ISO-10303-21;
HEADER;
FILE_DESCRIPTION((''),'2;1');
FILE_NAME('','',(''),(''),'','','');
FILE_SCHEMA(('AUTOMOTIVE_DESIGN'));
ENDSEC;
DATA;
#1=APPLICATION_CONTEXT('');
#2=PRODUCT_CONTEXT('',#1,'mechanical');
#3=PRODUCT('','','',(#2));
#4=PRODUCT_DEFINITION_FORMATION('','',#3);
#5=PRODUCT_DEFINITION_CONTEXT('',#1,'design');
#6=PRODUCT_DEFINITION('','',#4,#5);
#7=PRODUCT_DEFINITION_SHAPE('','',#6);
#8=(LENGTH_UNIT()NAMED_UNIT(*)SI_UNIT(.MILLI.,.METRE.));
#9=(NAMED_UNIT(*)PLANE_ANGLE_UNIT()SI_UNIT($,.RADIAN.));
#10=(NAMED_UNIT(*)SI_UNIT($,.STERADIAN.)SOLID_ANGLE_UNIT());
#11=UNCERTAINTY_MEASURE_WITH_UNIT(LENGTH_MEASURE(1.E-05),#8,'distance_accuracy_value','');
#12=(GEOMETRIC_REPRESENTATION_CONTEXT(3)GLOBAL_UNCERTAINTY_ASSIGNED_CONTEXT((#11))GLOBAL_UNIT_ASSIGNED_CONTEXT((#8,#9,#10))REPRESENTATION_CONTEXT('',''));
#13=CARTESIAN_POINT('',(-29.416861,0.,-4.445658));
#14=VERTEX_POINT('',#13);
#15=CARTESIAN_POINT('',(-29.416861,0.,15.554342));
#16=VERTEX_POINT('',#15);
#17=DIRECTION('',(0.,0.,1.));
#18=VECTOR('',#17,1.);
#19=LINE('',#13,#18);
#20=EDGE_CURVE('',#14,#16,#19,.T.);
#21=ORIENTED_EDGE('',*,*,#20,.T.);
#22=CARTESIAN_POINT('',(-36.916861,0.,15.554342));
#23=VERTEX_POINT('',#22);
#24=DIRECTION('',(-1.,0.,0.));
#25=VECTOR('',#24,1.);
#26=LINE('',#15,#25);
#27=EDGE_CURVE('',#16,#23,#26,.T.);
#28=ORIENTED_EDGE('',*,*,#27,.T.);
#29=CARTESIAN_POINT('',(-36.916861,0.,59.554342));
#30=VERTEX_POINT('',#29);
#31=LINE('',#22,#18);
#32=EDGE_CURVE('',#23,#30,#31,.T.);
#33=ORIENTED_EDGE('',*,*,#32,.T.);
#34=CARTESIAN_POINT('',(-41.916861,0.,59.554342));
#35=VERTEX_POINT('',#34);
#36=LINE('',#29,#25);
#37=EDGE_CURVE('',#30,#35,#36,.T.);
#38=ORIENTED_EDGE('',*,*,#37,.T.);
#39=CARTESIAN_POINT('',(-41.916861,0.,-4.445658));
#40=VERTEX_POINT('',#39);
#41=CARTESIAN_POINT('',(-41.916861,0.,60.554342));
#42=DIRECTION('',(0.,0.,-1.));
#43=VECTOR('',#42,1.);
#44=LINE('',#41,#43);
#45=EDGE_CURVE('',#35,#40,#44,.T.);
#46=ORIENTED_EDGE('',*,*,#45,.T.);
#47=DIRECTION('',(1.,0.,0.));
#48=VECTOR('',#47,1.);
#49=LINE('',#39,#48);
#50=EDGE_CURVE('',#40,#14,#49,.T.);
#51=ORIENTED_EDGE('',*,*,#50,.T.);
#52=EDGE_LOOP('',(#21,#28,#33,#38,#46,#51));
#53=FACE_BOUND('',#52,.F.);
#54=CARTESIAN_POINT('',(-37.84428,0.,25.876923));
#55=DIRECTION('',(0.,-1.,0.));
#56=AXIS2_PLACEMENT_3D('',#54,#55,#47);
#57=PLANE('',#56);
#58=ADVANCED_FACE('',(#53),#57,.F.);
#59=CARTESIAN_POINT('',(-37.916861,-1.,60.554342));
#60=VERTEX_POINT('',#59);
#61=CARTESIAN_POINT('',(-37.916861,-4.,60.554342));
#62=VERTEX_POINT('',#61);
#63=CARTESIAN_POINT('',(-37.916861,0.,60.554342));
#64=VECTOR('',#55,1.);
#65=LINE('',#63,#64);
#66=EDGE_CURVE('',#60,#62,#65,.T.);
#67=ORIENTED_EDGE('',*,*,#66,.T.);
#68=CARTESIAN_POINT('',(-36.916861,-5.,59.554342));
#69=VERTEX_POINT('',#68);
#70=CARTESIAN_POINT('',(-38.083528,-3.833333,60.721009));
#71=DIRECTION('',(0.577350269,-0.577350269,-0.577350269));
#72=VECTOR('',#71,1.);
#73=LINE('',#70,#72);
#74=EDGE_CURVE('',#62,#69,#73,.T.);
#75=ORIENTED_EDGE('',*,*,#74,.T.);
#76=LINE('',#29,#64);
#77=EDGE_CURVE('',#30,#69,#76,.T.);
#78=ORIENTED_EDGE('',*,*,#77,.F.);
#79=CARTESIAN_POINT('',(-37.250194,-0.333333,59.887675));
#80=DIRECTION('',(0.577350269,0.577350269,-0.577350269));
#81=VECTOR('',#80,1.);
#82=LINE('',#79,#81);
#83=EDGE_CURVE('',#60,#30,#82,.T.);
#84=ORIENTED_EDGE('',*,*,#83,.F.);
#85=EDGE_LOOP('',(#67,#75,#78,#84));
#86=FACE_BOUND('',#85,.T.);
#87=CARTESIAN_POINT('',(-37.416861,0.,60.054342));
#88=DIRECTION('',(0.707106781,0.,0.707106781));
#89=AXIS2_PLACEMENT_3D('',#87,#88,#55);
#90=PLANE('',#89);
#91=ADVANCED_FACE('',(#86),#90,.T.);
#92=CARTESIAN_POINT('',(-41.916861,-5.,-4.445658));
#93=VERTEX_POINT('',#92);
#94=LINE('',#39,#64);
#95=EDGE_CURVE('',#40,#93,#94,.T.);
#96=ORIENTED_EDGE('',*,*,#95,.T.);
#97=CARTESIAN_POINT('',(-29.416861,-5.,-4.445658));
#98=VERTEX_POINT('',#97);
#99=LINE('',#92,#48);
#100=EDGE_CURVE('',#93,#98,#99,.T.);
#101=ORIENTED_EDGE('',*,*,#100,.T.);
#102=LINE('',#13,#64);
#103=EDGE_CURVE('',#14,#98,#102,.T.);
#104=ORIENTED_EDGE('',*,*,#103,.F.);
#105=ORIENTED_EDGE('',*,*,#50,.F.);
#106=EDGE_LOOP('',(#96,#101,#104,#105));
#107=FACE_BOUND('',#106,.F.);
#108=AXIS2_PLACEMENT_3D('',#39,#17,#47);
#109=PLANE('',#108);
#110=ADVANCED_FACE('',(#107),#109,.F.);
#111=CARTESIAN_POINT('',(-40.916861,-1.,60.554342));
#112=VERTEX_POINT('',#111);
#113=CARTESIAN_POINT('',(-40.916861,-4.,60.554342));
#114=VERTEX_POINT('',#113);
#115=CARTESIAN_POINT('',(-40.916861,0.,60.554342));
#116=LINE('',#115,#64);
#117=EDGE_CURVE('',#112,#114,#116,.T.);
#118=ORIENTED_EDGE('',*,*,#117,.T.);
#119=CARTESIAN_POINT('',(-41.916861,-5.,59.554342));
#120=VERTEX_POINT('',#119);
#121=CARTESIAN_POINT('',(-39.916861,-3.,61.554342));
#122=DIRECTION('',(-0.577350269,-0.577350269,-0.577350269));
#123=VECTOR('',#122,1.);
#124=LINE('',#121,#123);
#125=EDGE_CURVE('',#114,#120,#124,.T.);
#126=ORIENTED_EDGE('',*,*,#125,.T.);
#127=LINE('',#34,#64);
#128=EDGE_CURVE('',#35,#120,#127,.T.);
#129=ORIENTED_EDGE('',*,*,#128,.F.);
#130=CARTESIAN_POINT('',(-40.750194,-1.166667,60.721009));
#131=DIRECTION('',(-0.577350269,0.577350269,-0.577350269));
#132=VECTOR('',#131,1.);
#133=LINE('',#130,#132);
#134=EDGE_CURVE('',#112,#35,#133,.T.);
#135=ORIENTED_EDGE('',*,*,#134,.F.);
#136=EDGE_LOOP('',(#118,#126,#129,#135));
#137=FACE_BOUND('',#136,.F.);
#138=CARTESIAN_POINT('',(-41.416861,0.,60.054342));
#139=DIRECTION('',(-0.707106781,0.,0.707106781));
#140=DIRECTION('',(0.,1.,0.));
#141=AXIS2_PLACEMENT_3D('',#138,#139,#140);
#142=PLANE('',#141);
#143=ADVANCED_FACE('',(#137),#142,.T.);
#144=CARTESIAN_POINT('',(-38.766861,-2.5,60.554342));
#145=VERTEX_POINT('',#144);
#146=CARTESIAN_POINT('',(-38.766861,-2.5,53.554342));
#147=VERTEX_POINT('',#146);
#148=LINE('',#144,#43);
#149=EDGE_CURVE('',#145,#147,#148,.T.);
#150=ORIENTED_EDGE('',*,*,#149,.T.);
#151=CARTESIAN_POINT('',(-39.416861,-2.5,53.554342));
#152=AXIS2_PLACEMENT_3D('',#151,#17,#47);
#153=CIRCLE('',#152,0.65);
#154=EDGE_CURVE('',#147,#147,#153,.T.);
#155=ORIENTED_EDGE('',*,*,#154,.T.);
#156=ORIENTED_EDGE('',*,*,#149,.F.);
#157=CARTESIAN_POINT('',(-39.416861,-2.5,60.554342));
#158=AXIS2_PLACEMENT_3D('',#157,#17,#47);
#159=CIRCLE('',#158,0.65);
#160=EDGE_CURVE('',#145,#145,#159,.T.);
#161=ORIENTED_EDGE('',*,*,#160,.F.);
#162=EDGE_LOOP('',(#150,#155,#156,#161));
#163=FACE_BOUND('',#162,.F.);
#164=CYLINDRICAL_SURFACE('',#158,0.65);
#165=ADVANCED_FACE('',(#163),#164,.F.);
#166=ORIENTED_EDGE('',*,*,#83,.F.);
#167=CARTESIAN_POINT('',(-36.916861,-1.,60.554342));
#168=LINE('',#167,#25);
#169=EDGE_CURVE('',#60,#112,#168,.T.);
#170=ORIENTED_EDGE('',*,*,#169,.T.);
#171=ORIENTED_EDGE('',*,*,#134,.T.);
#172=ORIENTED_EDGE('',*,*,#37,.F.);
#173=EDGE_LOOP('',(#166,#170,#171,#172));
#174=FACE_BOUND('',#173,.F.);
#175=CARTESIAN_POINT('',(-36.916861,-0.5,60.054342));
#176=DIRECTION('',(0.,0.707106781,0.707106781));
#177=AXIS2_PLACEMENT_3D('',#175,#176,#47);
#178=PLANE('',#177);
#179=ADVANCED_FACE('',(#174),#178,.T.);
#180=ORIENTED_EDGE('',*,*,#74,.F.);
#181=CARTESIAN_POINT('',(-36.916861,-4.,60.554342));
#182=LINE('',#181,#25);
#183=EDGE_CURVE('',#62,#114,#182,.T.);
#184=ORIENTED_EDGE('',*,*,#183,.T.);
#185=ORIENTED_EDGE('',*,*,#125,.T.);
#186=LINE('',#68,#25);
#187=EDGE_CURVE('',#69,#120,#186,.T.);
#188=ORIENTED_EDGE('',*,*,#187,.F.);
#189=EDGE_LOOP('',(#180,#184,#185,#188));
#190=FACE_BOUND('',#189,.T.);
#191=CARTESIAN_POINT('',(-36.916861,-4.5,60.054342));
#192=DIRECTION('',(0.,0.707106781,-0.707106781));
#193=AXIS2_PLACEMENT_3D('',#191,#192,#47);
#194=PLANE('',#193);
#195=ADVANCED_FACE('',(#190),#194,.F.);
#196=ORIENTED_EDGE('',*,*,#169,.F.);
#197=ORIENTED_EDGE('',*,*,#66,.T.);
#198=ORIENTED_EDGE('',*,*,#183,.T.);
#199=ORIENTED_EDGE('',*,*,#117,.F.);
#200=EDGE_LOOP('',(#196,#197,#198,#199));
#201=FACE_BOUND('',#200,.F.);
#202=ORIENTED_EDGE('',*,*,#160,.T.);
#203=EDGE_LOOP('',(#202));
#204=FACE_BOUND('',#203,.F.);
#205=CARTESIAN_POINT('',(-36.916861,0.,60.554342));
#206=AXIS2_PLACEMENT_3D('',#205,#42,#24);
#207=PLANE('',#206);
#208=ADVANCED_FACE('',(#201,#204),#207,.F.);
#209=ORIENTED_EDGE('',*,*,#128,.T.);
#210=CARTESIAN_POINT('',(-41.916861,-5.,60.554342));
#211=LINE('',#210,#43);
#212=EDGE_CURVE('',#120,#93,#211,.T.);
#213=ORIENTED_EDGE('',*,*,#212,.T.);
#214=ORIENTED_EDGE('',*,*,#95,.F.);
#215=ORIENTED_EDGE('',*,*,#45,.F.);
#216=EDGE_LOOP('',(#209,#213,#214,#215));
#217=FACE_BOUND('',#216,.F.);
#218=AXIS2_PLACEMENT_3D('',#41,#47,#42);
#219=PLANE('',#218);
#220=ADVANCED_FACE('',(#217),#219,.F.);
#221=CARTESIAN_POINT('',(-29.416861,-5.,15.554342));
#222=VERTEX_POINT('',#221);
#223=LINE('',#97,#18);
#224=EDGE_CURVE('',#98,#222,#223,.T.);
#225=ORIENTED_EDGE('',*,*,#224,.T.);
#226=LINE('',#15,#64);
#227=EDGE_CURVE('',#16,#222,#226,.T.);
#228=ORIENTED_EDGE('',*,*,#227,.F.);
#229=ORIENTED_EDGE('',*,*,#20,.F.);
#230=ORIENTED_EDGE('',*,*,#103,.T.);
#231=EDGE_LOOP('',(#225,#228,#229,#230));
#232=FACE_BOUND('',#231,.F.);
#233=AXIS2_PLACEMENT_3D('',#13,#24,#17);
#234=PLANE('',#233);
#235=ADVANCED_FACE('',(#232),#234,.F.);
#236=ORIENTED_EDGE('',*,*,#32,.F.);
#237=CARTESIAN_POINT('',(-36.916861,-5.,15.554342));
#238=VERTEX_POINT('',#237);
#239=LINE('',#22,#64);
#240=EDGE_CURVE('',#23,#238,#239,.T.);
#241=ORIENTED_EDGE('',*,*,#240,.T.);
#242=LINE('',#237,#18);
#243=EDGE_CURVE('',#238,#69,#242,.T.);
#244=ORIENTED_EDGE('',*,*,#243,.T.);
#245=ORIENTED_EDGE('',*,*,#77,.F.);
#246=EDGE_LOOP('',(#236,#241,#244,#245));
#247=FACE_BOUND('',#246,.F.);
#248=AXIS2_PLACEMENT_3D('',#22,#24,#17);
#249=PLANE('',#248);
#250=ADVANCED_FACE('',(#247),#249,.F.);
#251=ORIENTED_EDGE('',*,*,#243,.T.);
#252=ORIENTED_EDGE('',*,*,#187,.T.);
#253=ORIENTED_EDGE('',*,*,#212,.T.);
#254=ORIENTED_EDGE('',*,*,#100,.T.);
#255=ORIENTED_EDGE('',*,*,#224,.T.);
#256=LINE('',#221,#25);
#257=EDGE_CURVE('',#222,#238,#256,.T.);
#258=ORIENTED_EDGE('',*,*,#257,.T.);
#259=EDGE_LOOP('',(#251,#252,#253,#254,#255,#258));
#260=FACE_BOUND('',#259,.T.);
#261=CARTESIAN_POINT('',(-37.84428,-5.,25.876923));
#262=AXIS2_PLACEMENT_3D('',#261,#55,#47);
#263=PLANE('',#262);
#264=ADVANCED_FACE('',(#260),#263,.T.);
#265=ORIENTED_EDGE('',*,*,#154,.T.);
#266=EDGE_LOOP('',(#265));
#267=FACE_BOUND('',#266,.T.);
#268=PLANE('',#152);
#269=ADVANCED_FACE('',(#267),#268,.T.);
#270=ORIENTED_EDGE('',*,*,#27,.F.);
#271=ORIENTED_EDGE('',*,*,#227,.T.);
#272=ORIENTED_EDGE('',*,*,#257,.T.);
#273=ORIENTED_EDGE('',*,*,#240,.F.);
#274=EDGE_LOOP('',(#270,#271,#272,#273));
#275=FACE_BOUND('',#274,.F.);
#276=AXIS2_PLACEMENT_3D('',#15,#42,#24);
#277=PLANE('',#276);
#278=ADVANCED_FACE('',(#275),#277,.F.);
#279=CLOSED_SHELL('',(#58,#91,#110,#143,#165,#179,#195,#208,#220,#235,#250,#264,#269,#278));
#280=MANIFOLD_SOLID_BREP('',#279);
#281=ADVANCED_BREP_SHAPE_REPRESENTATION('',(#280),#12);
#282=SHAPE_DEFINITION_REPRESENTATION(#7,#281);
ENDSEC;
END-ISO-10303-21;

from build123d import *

# Parameters (mm, degrees)
F1_DEPTH = 5
F2_R     = 0.65
F3_DEPTH = 7
F4_SIZE  = 1


with BuildPart() as f1:
    # F0 (on Front) → F1 (new body)
    with BuildSketch(Plane.XZ):
        Polygon((-36.916861, 60.554342), (-41.916861, 60.554342), (-41.916861, -4.445658), (-36.916861, -4.445658), (-29.416861, -4.445658), (-29.416861, 15.554342), (-36.916861, 15.554342), align=None)
    extrude(amount=F1_DEPTH)

    # F2 (on face) → F3 (cut)
    with BuildSketch(Plane.XY.offset(60.554342)):
        with Locations((-39.416861, -2.5)):
            Circle(F2_R)
    extrude(amount=-F3_DEPTH, mode=Mode.SUBTRACT)

    # F4
    f4_edges = [f1.edges().sort_by_distance(p)[0] for p in [
        (-36.916861, -2.5, 60.554342),
        (-39.416861, -5, 60.554342),
        (-39.416861, 0, 60.554342),
        (-41.916861, -2.5, 60.554342),
    ]]
    chamfer(f4_edges, length=F4_SIZE)


solid = f1.part
